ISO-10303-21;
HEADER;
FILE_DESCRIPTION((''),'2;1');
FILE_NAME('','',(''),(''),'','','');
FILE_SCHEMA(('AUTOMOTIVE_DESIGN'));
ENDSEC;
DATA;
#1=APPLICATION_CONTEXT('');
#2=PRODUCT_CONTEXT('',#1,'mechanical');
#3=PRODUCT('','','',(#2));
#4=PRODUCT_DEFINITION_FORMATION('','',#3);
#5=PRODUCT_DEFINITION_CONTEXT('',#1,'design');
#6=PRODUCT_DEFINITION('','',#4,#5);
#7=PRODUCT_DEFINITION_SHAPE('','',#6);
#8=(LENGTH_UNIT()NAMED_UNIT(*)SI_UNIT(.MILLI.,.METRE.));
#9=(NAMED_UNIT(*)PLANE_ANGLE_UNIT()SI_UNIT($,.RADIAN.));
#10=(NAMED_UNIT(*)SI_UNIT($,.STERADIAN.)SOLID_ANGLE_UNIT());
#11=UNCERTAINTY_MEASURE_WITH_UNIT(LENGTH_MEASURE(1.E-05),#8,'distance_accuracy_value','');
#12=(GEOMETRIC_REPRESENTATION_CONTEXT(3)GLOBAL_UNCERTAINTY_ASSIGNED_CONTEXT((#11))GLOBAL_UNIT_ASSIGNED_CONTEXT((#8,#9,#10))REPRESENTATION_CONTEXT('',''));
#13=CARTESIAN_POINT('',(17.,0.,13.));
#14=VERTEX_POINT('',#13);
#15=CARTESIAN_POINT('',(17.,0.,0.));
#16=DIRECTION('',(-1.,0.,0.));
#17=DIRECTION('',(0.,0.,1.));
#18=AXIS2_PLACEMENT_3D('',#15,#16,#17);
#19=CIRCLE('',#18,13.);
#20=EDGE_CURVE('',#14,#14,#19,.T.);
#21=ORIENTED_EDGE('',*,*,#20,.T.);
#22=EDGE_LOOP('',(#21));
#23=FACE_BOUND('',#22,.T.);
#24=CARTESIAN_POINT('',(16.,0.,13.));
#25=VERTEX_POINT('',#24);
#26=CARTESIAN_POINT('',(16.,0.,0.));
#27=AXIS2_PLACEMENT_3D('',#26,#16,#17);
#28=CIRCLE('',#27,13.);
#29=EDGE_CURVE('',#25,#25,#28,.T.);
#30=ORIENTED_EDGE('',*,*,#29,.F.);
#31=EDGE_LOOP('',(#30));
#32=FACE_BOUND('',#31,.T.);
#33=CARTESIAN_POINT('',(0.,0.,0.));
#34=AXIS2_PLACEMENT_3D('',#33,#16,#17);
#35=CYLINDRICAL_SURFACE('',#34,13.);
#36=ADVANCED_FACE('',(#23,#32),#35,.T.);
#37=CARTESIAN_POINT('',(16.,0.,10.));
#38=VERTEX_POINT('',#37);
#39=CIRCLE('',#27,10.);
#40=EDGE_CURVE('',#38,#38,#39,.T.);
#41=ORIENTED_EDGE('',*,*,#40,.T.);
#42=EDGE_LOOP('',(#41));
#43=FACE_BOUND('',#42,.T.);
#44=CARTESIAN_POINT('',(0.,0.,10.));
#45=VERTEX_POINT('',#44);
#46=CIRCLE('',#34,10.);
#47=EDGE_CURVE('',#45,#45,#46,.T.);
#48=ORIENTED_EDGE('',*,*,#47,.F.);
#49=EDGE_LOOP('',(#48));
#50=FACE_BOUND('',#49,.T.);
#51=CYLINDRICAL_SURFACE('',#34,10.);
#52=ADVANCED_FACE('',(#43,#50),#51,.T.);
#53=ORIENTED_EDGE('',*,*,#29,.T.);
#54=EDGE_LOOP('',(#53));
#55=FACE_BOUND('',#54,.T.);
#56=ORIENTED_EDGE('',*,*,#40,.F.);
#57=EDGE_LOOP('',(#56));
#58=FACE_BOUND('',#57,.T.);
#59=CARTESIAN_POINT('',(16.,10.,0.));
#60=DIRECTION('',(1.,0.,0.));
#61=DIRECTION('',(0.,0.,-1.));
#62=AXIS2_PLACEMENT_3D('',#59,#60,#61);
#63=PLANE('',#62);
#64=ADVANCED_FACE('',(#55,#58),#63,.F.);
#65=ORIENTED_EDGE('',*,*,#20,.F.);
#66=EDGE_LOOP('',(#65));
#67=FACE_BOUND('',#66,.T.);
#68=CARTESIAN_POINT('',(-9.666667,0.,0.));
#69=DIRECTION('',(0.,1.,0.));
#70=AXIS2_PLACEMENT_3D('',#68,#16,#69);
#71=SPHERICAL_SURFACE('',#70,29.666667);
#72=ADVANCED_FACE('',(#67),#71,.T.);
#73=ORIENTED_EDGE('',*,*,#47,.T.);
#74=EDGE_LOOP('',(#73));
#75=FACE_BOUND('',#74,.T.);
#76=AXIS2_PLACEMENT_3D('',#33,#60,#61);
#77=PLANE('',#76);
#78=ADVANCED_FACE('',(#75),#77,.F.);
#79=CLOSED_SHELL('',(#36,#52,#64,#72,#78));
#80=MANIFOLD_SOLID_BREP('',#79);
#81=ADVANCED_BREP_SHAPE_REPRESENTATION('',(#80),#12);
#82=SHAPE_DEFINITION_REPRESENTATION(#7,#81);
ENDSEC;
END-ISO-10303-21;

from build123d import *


with BuildPart() as part:
    # Sketch1 → Revolve1 (revolve)
    with BuildSketch(Plane.XY):
        with BuildLine():
            Line((0, 0), (0, 10))
            Line((0, 10), (16, 10))
            Line((16, 10), (16, 13))
            Line((16, 13), (17, 13))
            ThreePointArc((17, 13), (19.240272139, 6.670832032), (20, 0))
            Line((20, 0), (0, 0))
        make_face()
    revolve(axis=Axis((0, 0, 0), (1, 0, 0)))


solid = part.part
